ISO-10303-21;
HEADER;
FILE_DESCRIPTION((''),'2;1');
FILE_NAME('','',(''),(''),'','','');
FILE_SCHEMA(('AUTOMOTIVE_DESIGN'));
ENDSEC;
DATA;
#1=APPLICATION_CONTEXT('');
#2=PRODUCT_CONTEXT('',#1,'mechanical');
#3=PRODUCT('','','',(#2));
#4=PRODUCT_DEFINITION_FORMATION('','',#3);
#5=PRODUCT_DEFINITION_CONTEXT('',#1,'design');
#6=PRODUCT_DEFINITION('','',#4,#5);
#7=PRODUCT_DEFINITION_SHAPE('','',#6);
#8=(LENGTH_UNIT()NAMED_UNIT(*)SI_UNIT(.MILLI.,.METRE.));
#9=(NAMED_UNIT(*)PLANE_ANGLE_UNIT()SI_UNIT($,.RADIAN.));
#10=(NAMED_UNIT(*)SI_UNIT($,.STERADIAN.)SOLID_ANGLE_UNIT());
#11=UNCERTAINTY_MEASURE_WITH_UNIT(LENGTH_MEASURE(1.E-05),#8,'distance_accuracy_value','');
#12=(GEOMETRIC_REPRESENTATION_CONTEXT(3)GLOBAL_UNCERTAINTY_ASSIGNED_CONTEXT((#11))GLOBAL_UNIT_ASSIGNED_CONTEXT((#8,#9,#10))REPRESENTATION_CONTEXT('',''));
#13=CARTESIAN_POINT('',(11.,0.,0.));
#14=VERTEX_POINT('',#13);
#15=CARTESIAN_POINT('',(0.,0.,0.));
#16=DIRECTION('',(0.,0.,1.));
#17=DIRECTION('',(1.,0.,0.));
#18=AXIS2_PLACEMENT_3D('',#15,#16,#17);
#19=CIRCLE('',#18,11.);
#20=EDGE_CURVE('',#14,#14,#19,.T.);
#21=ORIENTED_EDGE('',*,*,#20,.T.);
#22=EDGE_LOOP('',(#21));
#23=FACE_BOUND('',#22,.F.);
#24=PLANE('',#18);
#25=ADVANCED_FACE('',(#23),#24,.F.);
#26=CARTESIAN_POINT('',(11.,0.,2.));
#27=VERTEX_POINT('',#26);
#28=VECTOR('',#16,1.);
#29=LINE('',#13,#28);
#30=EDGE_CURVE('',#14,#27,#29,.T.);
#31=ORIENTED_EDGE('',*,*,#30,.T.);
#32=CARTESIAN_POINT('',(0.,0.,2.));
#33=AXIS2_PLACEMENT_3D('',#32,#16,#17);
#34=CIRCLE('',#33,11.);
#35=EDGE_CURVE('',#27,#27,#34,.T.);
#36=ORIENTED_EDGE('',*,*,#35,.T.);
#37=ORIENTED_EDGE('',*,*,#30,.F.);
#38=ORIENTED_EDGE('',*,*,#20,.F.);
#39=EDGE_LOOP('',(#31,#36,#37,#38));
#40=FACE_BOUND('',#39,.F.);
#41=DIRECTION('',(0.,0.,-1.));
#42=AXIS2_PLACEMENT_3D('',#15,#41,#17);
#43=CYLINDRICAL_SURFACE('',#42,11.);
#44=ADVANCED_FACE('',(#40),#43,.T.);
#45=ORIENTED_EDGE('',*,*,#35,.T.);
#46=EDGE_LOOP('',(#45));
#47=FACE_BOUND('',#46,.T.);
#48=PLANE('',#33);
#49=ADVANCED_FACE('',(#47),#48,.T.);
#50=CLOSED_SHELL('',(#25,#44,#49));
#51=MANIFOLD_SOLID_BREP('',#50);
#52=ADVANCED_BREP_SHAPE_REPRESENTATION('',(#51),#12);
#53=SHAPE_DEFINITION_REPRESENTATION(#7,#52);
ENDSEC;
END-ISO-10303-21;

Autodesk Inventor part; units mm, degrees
ref_plane "YZ Plane" through (0, 0, 0) normal (1, 0, 0) x (0, 1, 0)
ref_plane "XZ Plane" through (0, 0, 0) normal (0, 1, 0) x (-1, 0, 0)
ref_plane "XY Plane" through (0, 0, 0) normal (0, 0, 1) x (1, 0, 0)
sketch "Boceto1" plane through (0, 0, 0) normal (0, 0, 1) x (1, 0, 0)
  circle A0 centre (0, 0) radius 11
  dimension "d0" = 22
extrude "Extrusión1" add sketch "Boceto1" along normal blind 2
properties part number "Tapa"
